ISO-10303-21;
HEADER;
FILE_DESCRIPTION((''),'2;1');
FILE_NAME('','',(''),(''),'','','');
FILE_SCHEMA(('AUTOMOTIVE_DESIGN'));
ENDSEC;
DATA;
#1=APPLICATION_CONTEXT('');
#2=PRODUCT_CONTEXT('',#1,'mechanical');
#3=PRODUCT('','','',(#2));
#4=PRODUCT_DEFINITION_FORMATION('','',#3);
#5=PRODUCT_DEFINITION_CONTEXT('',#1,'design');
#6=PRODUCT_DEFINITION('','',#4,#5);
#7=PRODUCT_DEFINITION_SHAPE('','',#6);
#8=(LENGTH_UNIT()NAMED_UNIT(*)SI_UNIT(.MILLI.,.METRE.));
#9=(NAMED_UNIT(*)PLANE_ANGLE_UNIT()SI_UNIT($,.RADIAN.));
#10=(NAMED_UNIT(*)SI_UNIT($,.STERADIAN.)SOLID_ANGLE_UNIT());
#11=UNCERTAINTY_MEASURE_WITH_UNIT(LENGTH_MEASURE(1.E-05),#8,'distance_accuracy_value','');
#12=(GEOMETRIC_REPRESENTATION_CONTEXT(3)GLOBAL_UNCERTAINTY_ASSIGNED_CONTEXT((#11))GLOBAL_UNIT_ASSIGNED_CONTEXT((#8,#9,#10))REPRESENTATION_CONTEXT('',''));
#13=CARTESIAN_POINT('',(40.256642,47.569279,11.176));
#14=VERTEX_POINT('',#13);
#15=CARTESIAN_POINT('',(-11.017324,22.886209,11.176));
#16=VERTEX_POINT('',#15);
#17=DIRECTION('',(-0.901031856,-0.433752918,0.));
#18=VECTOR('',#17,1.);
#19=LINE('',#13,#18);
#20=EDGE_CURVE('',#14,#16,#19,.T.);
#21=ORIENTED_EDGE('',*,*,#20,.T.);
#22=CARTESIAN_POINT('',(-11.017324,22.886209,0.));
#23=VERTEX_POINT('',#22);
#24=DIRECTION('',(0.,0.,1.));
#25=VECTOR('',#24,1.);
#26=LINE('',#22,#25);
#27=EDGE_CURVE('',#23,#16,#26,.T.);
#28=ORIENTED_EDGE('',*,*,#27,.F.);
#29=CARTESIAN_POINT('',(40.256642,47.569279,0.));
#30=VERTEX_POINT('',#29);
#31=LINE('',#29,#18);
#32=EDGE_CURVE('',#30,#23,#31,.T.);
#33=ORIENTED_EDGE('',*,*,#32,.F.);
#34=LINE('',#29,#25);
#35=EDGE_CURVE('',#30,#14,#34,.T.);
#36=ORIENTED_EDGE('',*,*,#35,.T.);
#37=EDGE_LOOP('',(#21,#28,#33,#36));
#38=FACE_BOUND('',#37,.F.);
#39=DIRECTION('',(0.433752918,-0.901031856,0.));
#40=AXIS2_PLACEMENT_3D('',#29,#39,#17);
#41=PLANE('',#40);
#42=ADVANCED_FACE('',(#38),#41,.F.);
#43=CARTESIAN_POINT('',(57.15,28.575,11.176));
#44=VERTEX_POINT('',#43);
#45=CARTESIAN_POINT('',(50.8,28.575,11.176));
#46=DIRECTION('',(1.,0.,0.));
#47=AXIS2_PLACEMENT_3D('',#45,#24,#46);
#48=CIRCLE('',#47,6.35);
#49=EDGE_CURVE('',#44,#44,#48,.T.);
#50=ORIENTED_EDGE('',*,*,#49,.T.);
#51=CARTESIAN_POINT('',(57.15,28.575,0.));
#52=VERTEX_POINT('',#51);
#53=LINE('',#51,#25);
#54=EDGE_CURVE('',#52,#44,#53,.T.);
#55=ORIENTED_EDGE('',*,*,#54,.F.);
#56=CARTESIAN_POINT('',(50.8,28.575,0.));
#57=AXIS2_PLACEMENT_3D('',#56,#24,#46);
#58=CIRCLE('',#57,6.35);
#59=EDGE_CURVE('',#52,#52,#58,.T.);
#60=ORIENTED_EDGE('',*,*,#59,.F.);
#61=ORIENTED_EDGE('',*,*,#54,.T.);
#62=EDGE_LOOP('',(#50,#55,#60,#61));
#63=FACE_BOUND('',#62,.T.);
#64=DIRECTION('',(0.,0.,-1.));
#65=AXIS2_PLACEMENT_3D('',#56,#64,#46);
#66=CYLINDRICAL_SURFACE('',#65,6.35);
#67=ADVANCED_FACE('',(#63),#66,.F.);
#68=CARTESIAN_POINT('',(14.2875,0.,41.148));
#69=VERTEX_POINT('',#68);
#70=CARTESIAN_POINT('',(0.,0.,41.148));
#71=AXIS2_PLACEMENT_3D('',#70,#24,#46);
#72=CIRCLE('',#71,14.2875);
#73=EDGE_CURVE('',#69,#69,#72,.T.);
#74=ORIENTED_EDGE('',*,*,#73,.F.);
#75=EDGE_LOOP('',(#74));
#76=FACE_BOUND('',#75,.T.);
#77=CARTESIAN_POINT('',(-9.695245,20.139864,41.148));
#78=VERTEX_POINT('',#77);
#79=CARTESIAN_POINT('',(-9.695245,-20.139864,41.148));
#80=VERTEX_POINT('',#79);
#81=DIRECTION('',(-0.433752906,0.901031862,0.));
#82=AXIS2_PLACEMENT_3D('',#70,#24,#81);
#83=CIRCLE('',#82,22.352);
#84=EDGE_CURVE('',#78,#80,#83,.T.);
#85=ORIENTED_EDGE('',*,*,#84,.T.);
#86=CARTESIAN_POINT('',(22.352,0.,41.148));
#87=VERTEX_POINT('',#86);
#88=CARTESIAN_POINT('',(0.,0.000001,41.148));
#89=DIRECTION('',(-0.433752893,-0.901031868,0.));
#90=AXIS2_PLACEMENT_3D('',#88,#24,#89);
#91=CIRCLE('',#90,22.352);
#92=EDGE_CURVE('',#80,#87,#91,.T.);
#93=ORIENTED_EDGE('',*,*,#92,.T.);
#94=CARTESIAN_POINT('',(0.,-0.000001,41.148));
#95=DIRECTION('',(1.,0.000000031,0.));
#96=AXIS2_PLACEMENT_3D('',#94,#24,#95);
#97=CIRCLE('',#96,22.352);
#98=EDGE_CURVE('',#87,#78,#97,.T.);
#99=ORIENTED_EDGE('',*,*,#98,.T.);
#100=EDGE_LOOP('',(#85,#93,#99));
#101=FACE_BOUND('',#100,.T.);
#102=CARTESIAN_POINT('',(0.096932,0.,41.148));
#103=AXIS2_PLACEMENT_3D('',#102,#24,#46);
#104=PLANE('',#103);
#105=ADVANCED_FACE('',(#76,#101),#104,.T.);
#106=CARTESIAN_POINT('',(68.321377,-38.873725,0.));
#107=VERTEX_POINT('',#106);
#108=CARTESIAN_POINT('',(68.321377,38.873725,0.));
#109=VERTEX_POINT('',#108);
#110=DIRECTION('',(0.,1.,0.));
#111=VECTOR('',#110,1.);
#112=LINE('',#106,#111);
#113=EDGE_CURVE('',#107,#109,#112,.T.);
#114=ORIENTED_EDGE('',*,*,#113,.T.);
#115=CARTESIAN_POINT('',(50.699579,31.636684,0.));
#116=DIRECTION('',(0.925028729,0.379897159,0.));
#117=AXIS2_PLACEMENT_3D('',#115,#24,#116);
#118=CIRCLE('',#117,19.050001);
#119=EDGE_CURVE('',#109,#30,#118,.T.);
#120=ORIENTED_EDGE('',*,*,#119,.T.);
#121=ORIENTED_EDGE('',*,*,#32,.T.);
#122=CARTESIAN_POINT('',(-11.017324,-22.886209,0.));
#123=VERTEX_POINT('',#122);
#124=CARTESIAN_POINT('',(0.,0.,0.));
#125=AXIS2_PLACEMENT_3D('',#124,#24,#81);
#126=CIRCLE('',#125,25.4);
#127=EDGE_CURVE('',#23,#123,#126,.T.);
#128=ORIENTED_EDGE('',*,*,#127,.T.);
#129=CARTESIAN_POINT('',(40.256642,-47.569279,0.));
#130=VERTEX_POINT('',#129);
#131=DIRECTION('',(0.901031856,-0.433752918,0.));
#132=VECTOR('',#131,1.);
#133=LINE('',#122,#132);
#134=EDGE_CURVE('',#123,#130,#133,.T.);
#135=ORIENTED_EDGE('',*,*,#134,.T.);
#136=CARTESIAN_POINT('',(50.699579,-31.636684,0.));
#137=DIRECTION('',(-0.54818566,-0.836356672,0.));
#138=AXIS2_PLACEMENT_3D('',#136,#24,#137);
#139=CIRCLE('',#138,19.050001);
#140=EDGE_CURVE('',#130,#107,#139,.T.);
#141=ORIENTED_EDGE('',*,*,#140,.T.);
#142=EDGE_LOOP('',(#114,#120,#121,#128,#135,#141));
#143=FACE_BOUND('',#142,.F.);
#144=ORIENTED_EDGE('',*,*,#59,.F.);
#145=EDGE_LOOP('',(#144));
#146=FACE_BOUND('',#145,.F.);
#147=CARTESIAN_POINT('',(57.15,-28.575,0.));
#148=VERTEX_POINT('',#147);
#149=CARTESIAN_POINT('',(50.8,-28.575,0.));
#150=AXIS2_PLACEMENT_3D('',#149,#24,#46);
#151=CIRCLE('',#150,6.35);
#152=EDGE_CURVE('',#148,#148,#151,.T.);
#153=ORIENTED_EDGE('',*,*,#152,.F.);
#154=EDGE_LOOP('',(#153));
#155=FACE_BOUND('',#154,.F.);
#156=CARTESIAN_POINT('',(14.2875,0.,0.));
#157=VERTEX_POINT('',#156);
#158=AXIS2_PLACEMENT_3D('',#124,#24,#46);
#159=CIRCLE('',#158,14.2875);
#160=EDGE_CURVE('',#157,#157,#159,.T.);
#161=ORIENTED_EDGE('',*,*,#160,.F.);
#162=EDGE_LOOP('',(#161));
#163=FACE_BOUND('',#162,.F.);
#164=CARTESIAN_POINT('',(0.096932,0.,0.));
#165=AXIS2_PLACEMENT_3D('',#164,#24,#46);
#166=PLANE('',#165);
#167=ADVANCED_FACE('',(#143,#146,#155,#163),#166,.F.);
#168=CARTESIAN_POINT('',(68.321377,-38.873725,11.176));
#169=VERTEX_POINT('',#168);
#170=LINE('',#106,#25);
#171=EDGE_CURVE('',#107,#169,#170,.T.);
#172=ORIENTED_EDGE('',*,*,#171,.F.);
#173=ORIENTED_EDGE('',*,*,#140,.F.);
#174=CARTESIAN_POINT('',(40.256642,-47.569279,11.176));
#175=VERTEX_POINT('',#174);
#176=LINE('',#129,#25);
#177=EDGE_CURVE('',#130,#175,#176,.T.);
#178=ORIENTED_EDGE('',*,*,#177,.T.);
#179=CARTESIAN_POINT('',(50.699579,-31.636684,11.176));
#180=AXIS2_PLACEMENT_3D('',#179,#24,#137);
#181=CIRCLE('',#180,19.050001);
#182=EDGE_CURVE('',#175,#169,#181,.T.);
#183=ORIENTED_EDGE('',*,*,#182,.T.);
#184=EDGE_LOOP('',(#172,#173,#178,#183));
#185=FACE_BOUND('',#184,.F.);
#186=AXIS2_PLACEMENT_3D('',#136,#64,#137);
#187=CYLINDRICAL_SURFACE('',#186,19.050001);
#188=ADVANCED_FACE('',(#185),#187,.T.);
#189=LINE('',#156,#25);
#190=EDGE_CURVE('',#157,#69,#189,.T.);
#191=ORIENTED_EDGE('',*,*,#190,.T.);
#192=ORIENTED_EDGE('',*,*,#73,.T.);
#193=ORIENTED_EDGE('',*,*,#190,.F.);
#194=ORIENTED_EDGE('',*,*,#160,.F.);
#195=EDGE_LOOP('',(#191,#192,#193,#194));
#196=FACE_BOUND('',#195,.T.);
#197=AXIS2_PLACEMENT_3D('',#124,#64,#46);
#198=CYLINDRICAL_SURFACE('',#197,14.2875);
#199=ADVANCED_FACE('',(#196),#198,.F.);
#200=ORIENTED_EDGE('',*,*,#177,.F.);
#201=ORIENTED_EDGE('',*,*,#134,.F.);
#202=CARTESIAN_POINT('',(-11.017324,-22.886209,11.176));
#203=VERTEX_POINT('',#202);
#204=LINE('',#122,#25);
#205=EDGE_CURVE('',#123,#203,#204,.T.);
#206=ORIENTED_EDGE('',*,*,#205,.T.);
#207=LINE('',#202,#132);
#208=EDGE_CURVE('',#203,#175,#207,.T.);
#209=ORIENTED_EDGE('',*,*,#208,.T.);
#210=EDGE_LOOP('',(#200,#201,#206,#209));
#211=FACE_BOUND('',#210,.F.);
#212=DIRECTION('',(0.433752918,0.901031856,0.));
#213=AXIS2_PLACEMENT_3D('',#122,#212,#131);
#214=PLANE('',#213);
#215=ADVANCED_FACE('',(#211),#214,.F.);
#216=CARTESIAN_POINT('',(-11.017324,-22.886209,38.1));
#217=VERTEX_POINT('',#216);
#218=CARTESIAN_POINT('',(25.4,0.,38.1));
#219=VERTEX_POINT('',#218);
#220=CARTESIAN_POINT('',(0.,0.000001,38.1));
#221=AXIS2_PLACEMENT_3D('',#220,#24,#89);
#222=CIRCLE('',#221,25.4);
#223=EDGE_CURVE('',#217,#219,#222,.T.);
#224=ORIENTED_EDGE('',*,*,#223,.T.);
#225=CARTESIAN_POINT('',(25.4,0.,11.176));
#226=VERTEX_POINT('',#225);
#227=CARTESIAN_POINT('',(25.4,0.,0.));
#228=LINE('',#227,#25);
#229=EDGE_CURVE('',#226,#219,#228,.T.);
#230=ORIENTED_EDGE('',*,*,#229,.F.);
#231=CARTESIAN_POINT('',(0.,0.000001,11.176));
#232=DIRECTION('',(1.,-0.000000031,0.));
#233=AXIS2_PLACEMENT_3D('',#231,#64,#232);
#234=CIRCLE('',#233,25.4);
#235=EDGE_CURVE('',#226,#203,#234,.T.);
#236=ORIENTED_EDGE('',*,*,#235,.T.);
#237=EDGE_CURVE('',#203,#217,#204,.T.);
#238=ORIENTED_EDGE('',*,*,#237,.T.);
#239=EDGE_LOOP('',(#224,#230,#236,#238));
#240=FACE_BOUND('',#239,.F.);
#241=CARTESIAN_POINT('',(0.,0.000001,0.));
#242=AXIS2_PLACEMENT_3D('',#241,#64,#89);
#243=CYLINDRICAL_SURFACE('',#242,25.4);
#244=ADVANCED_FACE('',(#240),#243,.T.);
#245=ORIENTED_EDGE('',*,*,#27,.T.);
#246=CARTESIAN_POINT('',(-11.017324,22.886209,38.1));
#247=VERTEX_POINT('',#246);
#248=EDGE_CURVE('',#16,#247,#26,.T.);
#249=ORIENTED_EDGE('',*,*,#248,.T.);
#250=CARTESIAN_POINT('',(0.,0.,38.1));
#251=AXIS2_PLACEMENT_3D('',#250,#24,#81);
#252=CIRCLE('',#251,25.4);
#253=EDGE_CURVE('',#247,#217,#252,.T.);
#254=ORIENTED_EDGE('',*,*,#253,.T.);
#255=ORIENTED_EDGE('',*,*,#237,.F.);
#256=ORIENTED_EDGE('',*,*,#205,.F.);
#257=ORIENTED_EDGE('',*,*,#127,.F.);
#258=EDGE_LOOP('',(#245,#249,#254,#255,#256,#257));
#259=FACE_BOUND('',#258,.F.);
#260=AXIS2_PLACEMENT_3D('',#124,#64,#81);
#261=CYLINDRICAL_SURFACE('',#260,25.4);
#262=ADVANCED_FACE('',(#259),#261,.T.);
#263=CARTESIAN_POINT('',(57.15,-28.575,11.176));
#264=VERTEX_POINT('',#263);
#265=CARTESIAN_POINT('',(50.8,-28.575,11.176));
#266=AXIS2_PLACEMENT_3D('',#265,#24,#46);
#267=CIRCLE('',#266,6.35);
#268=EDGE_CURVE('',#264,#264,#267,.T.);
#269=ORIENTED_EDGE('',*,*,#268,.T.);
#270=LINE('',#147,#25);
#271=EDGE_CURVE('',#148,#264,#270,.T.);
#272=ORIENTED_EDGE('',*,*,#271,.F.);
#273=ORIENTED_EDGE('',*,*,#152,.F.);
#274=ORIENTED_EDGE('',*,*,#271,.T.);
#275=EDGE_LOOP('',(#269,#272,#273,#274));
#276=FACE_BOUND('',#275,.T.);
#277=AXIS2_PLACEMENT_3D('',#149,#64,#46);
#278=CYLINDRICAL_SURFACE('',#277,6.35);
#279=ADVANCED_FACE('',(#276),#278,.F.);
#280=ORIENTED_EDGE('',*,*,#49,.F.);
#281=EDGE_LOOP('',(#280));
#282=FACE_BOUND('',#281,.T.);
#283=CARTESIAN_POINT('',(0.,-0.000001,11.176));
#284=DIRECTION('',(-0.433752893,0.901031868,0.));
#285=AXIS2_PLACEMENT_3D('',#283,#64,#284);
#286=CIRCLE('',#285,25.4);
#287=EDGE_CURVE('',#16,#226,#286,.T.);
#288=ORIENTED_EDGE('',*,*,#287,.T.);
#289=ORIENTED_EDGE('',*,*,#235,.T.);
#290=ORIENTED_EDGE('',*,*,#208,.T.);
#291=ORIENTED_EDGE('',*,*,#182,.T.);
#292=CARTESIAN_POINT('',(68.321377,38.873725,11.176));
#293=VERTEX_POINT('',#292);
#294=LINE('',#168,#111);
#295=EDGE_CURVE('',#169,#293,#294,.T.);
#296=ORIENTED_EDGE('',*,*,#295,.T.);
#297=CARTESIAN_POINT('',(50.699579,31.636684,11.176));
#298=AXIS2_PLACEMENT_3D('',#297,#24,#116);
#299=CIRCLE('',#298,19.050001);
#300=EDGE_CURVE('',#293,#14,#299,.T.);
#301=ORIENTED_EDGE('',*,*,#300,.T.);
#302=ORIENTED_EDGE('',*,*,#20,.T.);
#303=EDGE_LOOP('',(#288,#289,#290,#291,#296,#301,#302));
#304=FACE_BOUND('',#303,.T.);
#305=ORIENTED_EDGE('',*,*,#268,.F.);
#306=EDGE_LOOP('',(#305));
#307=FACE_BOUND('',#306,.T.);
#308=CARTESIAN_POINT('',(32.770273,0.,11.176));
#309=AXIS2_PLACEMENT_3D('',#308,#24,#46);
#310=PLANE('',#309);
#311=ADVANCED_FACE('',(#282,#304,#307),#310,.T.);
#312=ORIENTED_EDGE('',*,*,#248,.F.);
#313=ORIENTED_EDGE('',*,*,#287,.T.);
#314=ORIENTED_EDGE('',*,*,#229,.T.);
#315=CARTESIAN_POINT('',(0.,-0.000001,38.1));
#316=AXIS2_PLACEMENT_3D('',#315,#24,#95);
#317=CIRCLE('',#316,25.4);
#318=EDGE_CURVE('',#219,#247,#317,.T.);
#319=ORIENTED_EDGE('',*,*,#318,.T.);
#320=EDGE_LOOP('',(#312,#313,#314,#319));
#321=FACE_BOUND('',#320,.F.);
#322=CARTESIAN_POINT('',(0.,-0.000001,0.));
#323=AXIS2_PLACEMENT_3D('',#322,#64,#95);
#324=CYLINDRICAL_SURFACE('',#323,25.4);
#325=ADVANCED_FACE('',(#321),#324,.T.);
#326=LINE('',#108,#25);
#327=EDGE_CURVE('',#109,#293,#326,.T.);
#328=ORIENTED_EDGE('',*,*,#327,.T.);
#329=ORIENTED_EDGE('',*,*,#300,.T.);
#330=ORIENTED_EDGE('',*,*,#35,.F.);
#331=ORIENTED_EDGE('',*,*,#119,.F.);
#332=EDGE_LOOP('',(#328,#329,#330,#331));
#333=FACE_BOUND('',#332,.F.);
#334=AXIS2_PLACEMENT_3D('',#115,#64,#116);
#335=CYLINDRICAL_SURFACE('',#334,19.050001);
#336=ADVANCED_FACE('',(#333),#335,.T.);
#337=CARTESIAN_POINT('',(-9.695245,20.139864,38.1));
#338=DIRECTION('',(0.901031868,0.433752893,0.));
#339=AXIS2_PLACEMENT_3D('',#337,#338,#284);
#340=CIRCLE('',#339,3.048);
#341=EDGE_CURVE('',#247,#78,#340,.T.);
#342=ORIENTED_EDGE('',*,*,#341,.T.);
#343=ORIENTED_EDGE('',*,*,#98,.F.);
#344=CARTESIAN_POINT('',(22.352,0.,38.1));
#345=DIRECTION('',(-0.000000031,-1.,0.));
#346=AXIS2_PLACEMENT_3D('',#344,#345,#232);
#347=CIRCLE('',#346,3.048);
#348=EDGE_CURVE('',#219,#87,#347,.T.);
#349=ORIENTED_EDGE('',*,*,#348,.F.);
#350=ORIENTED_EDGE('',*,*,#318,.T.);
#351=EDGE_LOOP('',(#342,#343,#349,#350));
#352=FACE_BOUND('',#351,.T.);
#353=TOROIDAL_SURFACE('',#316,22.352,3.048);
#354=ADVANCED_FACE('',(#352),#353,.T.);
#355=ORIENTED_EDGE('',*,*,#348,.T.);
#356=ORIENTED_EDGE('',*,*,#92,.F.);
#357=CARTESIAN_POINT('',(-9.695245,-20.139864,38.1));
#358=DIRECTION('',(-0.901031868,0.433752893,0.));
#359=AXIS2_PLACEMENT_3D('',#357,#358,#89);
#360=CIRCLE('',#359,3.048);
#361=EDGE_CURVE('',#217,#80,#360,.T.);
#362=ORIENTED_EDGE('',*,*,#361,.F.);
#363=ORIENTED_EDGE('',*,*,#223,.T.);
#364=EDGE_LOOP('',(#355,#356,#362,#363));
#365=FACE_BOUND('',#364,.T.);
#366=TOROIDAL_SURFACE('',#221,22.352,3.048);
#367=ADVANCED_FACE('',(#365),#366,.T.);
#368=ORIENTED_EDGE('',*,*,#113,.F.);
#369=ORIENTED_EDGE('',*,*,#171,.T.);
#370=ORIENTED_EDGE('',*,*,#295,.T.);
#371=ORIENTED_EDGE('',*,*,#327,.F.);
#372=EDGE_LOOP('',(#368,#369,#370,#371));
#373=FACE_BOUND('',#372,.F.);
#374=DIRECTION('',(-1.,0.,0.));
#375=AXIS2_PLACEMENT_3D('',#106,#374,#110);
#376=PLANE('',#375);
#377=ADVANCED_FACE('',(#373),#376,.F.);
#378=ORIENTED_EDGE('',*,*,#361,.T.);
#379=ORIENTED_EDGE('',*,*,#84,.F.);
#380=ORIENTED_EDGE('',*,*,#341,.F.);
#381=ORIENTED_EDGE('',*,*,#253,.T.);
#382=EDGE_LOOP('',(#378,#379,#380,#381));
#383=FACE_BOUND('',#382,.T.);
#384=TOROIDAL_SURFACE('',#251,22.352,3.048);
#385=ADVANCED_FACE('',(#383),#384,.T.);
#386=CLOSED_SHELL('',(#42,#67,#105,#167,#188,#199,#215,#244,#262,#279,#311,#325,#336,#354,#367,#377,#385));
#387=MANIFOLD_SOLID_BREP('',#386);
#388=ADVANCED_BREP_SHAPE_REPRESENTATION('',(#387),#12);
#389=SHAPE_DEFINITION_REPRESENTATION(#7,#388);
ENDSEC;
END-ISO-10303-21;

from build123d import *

# Parameters (mm, degrees)
F0_R     = 6.35
F1_DEPTH = 11.176
F0_R_2   = 14.2875
F2_DEPTH = 41.148
F3_R     = 3.048


with BuildPart() as f1:
    # F0 (on Top) → F1 (new body)
    with BuildSketch(Plane.XY):
        with BuildLine():
            ThreePointArc((-11.017324, 22.886209), (13.515176, 21.505813), (25.4, 0))
            ThreePointArc((25.4, 0), (13.515176, -21.505813), (-11.017324, -22.886209))
            Line((-11.017324, -22.886209), (40.256642, -47.569279))
            ThreePointArc((40.256642, -47.569279), (56.337591, -49.833259), (68.321377, -38.873725))
            Line((68.321377, -38.873725), (68.321377, 0))
            Line((68.321377, 0), (68.321377, 38.873725))
            ThreePointArc((68.321377, 38.873725), (56.337591, 49.833259), (40.256642, 47.569279))
            Line((40.256642, 47.569279), (-11.017324, 22.886209))
        make_face()
        with Locations((50.8, -28.575)):
            Circle(F0_R, mode=Mode.SUBTRACT)
        with Locations((50.8, 28.575)):
            Circle(F0_R, mode=Mode.SUBTRACT)
    extrude(amount=F1_DEPTH)

    # F0 (on Top) → F2 (join)
    with BuildSketch(Plane.XY):
        with BuildLine():
            ThreePointArc((-11.017324, -22.886209), (13.515176, -21.505813), (25.4, 0))
            ThreePointArc((25.4, 0), (13.515176, 21.505813), (-11.017324, 22.886209))
            ThreePointArc((-11.017324, 22.886209), (-25.4, 0), (-11.017324, -22.886209))
        make_face()
        Circle(F0_R_2, mode=Mode.SUBTRACT)
    extrude(amount=F2_DEPTH)

    # F3
    f3_edges = [f1.edges().sort_by_distance(p)[0] for p in [
        (11.017324, -22.886209, 41.148),
    ]]
    fillet(f3_edges, radius=F3_R)


solid = f1.part
